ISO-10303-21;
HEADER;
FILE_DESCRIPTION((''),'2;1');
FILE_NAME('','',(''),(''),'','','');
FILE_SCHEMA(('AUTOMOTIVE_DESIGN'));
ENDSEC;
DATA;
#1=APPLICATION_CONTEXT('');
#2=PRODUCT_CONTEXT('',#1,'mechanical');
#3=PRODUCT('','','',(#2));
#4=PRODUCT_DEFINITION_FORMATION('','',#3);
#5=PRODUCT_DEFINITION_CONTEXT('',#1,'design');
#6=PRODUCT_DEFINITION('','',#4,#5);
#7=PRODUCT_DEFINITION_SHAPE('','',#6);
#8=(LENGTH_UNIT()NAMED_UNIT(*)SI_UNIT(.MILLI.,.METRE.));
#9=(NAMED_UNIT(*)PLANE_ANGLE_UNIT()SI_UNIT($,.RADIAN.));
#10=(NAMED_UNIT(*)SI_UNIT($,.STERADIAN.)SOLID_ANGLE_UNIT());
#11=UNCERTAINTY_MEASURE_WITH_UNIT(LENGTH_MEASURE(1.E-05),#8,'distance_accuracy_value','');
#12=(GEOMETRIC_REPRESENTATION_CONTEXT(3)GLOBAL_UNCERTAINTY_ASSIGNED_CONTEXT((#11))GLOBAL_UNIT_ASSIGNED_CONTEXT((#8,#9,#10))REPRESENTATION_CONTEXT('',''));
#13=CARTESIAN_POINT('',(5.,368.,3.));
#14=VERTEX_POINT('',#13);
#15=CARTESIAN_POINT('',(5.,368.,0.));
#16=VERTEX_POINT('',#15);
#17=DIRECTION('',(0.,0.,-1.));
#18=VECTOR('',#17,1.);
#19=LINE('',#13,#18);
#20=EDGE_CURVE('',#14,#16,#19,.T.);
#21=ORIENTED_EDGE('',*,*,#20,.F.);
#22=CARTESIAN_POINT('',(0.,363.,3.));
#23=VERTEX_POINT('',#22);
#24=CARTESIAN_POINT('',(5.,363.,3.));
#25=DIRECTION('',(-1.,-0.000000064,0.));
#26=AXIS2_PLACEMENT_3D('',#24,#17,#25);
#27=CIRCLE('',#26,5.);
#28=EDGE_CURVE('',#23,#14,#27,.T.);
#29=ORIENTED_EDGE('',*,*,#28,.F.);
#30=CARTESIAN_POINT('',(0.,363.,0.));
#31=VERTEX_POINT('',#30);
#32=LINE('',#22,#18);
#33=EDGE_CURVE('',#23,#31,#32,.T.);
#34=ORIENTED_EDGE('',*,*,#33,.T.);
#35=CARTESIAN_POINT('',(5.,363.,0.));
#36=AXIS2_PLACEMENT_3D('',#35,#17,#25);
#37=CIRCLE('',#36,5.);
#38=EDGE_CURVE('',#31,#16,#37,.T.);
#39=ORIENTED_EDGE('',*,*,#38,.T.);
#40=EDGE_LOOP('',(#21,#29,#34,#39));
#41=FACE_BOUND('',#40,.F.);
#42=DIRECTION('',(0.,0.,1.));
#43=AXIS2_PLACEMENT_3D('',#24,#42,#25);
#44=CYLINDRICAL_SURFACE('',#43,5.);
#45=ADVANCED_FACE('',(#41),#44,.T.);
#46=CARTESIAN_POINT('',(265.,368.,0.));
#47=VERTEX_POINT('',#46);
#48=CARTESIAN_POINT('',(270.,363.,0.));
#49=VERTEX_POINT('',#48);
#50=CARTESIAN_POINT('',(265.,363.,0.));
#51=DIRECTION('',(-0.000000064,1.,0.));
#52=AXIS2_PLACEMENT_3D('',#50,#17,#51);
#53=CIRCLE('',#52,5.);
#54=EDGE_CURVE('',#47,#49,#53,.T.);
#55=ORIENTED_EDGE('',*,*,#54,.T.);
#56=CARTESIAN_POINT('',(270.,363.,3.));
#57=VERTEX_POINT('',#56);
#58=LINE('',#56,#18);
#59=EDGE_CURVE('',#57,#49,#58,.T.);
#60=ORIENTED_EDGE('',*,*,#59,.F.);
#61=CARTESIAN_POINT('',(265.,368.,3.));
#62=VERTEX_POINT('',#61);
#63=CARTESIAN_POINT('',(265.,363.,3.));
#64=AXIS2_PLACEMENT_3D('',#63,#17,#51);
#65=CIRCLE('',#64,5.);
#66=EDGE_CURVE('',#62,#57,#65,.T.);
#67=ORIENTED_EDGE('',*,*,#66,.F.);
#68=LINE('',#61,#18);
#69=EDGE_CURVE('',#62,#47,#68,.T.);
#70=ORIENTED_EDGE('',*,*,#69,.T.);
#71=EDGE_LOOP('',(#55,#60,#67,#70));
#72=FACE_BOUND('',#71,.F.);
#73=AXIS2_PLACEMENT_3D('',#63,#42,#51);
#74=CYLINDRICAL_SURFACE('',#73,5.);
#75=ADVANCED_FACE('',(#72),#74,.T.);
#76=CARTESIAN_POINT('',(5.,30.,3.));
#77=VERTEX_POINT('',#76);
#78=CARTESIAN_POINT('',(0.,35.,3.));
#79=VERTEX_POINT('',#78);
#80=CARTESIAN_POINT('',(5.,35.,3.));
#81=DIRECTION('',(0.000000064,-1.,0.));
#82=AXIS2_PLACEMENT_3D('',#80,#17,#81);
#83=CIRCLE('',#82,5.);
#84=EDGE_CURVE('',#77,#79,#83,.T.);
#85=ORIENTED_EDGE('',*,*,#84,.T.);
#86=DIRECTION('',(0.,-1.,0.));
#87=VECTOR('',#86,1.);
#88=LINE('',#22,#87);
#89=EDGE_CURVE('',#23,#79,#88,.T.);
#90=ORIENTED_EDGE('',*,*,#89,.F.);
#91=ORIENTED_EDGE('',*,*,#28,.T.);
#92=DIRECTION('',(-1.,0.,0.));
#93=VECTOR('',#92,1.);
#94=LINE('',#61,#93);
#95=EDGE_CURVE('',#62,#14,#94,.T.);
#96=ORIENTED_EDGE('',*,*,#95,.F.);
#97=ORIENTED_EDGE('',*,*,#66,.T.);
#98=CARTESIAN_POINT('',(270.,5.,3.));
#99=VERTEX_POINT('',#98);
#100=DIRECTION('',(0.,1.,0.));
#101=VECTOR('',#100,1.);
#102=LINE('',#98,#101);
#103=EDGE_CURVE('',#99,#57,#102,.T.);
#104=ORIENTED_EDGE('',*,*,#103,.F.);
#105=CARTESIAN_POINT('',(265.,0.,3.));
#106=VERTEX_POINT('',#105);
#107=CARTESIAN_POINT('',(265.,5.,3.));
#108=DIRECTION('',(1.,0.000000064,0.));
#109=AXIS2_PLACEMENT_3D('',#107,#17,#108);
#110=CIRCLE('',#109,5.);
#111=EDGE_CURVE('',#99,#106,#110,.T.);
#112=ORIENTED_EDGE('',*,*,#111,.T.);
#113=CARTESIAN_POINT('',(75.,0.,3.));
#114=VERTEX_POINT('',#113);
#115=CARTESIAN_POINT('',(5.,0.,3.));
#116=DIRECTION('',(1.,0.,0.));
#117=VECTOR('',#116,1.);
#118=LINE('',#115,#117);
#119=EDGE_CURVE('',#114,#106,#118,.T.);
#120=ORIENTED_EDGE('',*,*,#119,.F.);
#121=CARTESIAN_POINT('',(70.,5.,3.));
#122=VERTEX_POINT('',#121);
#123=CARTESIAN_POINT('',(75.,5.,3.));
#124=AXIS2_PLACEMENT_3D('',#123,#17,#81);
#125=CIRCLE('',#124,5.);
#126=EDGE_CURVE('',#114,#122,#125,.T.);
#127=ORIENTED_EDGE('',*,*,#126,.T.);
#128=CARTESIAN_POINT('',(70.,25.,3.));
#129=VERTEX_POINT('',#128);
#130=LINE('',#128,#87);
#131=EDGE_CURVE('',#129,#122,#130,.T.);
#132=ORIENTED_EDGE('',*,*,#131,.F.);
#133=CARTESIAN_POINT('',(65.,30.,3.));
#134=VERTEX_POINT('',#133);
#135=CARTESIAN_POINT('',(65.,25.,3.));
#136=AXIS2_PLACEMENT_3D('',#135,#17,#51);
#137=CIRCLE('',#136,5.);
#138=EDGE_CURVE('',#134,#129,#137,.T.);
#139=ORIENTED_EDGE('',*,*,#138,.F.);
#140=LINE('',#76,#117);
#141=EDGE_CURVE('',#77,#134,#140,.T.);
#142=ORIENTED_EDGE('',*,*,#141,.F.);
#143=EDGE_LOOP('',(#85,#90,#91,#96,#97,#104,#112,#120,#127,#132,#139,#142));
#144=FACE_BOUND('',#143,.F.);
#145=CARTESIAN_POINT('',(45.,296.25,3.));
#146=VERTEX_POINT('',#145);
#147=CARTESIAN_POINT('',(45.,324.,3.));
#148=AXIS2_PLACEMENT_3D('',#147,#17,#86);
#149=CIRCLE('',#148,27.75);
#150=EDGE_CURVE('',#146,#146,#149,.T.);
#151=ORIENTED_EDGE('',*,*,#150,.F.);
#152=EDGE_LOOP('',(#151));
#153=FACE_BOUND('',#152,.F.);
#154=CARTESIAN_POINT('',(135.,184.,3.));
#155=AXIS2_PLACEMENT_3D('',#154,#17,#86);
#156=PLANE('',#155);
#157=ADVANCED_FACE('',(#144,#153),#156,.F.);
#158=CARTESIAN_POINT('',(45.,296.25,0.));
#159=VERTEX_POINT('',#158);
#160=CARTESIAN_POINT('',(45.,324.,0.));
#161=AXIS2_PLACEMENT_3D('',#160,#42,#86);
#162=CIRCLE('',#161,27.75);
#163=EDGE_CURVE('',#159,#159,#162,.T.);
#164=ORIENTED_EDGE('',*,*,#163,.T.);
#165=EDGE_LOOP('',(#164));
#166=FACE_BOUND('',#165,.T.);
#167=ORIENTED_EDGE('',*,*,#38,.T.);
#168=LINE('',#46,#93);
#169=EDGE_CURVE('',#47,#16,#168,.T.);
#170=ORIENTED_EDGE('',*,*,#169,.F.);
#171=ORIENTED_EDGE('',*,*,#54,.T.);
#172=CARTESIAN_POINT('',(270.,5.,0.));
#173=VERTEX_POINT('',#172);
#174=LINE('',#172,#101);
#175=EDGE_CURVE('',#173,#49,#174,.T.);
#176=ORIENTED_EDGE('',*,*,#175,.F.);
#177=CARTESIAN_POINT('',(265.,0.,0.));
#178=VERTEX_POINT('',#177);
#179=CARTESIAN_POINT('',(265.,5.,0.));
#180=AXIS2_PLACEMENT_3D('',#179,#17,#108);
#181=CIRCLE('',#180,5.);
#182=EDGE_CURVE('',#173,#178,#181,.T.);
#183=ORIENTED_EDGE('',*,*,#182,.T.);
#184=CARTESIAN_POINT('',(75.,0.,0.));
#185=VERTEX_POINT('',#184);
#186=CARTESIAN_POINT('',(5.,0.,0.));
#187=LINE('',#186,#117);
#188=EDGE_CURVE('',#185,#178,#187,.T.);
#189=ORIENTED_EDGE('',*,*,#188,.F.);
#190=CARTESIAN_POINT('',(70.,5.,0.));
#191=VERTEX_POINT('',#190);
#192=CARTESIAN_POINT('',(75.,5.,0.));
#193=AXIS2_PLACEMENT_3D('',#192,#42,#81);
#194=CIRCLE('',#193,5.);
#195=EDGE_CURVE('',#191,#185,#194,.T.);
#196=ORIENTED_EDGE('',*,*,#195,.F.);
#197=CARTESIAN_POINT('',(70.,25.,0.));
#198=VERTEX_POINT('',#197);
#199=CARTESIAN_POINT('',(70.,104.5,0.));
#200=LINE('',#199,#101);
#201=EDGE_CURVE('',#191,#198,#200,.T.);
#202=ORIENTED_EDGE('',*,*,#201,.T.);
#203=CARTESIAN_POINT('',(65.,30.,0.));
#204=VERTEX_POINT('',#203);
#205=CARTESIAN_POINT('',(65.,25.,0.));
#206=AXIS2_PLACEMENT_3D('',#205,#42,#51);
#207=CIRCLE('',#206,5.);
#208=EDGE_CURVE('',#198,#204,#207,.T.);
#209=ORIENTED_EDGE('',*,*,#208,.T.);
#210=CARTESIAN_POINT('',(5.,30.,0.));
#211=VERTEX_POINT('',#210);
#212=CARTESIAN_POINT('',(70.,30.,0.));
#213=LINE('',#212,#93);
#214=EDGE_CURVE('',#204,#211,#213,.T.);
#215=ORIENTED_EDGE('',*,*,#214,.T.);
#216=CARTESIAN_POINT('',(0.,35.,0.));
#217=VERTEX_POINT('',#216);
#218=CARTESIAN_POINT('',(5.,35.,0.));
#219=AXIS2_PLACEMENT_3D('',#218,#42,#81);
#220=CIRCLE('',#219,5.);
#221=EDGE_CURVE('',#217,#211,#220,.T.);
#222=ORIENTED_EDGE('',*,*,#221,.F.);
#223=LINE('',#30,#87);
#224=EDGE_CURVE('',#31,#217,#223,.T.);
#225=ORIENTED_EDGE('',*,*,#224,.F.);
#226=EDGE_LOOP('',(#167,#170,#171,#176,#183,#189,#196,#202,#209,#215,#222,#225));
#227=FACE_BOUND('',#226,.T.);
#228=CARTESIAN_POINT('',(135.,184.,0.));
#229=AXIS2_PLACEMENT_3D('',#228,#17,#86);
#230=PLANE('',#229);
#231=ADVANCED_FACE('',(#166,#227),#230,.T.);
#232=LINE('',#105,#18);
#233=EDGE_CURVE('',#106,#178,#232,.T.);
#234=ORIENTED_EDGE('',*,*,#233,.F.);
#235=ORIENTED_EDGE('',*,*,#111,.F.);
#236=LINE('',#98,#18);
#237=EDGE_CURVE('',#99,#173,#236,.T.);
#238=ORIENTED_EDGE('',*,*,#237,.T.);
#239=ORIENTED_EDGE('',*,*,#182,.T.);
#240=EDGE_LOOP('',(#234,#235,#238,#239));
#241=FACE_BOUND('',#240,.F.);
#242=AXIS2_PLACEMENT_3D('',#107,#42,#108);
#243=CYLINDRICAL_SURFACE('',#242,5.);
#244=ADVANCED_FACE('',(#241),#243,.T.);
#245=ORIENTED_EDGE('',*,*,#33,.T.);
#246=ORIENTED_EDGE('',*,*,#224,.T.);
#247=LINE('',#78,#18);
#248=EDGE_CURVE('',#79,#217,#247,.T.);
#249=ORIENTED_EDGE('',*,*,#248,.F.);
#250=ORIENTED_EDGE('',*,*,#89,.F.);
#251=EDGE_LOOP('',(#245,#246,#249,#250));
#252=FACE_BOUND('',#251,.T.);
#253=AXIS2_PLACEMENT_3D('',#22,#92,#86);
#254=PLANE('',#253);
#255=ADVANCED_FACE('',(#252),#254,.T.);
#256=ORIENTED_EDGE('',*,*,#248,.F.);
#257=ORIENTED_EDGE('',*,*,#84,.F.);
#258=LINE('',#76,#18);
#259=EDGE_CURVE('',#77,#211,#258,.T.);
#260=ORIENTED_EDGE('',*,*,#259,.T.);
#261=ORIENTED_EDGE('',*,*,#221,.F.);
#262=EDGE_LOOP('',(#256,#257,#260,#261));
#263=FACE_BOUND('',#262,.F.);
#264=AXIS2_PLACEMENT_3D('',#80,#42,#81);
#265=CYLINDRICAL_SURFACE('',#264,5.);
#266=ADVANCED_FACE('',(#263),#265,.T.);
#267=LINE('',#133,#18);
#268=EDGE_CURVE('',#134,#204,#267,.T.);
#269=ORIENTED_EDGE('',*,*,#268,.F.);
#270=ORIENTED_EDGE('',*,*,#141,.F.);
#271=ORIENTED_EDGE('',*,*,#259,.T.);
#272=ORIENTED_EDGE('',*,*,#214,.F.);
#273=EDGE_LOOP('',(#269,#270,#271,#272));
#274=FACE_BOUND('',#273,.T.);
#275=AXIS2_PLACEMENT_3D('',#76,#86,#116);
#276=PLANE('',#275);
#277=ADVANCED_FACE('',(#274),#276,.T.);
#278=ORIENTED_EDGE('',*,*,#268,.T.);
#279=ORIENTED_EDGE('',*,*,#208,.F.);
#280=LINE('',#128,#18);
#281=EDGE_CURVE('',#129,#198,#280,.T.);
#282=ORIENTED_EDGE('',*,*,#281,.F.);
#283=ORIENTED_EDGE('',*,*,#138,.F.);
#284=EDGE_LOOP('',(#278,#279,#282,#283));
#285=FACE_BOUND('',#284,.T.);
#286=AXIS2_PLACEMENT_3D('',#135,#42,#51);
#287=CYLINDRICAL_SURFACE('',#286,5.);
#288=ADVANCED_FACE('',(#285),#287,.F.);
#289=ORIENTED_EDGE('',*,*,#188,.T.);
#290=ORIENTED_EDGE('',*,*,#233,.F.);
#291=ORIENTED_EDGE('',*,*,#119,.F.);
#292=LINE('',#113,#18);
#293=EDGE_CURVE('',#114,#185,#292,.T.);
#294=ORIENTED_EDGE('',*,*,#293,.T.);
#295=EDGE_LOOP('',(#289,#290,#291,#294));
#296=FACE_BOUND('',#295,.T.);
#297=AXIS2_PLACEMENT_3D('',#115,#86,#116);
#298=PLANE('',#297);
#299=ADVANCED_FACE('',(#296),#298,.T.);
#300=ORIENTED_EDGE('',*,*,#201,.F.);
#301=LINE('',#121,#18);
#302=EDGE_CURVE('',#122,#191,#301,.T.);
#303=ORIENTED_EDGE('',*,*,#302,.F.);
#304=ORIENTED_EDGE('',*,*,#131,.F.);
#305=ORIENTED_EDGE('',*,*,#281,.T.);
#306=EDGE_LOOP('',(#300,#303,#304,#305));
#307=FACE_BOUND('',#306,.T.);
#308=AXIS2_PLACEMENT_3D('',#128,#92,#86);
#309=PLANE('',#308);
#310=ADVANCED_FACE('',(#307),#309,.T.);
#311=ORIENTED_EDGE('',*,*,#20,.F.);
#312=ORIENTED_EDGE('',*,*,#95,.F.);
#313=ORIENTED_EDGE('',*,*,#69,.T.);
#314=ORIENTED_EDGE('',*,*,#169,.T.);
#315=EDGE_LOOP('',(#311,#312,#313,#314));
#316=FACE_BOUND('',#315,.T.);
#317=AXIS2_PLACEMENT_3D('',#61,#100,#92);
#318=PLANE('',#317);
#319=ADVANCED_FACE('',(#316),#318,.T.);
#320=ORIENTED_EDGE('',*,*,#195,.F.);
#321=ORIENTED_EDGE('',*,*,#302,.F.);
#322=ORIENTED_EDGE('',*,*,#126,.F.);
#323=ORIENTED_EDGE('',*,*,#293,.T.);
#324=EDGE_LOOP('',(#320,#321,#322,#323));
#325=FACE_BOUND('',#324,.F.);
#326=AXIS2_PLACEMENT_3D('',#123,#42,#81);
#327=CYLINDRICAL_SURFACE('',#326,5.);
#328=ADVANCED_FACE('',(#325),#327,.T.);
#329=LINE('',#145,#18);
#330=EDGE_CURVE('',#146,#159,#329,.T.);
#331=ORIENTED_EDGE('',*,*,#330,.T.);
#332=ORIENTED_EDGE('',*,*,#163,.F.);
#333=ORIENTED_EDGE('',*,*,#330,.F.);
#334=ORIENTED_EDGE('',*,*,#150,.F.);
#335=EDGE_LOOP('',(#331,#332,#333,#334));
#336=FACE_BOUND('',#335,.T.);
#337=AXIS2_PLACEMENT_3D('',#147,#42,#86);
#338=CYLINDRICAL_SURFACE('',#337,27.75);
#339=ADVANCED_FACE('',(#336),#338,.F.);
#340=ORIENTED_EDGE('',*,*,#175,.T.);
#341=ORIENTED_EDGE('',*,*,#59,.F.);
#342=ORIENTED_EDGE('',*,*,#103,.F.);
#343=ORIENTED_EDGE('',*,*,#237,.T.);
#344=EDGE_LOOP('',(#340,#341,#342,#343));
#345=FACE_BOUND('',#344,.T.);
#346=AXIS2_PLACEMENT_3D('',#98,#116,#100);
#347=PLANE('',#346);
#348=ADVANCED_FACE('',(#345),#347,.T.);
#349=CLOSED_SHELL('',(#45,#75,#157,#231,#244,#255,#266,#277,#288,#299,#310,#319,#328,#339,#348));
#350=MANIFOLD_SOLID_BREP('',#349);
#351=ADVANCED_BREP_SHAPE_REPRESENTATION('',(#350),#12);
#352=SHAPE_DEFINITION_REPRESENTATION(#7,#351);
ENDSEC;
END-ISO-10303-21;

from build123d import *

# Parameters (mm, degrees)
PAD012_DEPTH             = 3
SKETCH090_R              = 27.75
POCKET039_DEPTH          = 0.001
POCKET039_DEPTH_BACK     = 3.001
POCKET040_DEPTH          = 0.001
POCKET040_DEPTH_BACK     = 3.001
CLONE028_ROLL_ANGLE      = 180
CLONE028_PLACEMENT_ANGLE = -90


with BuildPart() as part:
    # Sketch089 → Pad012 (new body)
    with BuildSketch(Plane.XY):
        with BuildLine():
            ThreePointArc((-184, -130), (-182.535534, -133.535534), (-179, -135))
            Line((179, -135), (-179, -135))
            ThreePointArc((179, -135), (182.535534, -133.535534), (184, -130))
            Line((184, 130), (184, -130))
            ThreePointArc((184, 130), (182.535534, 133.535534), (179, 135))
            Line((-179, 135), (179, 135))
            ThreePointArc((-179, 135), (-182.535534, 133.535534), (-184, 130))
            Line((-184, -130), (-184, 130))
        make_face()
    extrude(amount=PAD012_DEPTH)

    # Sketch090 → Pocket039 (cut, two sides)
    with BuildSketch(Plane(origin=(-140, 90, 0), x_dir=(1, 0, 0), z_dir=(0, 0, 1))) as pocket039_sk:
        Circle(SKETCH090_R)
    extrude(amount=-POCKET039_DEPTH, mode=Mode.SUBTRACT)
    extrude(pocket039_sk.sketch, amount=POCKET039_DEPTH_BACK, mode=Mode.SUBTRACT)

    # Sketch091 → Pocket040 (cut, two sides)
    with BuildSketch(Plane.XY) as pocket040_sk:
        with BuildLine():
            Line((184, 135), (149, 135))
            ThreePointArc((154, 130), (152.535534, 133.535534), (149, 135))
            Line((154, 130), (154, 70))
            ThreePointArc((154, 70), (155.464466, 66.464466), (159, 65))
            Line((159, 65), (179, 65))
            ThreePointArc((184, 60), (182.535534, 63.535534), (179, 65))
            Line((184, 60), (184, 135))
        make_face()
    extrude(amount=-POCKET040_DEPTH, mode=Mode.SUBTRACT)
    extrude(pocket040_sk.sketch, amount=POCKET040_DEPTH_BACK, mode=Mode.SUBTRACT)


with BuildPart() as part_1:
    # Clone028 roll: moved
    add(part.part.rotate(Axis((0, 0, 0), (1, 0, 0)), CLONE028_ROLL_ANGLE))


with BuildPart() as part_2:
    # Clone028 placement: moved
    add(part_1.part.moved(Location((135, 184, 3))).rotate(Axis((135, 184, 3), (0, 0, 1)), CLONE028_PLACEMENT_ANGLE))


solid = part_2.part
